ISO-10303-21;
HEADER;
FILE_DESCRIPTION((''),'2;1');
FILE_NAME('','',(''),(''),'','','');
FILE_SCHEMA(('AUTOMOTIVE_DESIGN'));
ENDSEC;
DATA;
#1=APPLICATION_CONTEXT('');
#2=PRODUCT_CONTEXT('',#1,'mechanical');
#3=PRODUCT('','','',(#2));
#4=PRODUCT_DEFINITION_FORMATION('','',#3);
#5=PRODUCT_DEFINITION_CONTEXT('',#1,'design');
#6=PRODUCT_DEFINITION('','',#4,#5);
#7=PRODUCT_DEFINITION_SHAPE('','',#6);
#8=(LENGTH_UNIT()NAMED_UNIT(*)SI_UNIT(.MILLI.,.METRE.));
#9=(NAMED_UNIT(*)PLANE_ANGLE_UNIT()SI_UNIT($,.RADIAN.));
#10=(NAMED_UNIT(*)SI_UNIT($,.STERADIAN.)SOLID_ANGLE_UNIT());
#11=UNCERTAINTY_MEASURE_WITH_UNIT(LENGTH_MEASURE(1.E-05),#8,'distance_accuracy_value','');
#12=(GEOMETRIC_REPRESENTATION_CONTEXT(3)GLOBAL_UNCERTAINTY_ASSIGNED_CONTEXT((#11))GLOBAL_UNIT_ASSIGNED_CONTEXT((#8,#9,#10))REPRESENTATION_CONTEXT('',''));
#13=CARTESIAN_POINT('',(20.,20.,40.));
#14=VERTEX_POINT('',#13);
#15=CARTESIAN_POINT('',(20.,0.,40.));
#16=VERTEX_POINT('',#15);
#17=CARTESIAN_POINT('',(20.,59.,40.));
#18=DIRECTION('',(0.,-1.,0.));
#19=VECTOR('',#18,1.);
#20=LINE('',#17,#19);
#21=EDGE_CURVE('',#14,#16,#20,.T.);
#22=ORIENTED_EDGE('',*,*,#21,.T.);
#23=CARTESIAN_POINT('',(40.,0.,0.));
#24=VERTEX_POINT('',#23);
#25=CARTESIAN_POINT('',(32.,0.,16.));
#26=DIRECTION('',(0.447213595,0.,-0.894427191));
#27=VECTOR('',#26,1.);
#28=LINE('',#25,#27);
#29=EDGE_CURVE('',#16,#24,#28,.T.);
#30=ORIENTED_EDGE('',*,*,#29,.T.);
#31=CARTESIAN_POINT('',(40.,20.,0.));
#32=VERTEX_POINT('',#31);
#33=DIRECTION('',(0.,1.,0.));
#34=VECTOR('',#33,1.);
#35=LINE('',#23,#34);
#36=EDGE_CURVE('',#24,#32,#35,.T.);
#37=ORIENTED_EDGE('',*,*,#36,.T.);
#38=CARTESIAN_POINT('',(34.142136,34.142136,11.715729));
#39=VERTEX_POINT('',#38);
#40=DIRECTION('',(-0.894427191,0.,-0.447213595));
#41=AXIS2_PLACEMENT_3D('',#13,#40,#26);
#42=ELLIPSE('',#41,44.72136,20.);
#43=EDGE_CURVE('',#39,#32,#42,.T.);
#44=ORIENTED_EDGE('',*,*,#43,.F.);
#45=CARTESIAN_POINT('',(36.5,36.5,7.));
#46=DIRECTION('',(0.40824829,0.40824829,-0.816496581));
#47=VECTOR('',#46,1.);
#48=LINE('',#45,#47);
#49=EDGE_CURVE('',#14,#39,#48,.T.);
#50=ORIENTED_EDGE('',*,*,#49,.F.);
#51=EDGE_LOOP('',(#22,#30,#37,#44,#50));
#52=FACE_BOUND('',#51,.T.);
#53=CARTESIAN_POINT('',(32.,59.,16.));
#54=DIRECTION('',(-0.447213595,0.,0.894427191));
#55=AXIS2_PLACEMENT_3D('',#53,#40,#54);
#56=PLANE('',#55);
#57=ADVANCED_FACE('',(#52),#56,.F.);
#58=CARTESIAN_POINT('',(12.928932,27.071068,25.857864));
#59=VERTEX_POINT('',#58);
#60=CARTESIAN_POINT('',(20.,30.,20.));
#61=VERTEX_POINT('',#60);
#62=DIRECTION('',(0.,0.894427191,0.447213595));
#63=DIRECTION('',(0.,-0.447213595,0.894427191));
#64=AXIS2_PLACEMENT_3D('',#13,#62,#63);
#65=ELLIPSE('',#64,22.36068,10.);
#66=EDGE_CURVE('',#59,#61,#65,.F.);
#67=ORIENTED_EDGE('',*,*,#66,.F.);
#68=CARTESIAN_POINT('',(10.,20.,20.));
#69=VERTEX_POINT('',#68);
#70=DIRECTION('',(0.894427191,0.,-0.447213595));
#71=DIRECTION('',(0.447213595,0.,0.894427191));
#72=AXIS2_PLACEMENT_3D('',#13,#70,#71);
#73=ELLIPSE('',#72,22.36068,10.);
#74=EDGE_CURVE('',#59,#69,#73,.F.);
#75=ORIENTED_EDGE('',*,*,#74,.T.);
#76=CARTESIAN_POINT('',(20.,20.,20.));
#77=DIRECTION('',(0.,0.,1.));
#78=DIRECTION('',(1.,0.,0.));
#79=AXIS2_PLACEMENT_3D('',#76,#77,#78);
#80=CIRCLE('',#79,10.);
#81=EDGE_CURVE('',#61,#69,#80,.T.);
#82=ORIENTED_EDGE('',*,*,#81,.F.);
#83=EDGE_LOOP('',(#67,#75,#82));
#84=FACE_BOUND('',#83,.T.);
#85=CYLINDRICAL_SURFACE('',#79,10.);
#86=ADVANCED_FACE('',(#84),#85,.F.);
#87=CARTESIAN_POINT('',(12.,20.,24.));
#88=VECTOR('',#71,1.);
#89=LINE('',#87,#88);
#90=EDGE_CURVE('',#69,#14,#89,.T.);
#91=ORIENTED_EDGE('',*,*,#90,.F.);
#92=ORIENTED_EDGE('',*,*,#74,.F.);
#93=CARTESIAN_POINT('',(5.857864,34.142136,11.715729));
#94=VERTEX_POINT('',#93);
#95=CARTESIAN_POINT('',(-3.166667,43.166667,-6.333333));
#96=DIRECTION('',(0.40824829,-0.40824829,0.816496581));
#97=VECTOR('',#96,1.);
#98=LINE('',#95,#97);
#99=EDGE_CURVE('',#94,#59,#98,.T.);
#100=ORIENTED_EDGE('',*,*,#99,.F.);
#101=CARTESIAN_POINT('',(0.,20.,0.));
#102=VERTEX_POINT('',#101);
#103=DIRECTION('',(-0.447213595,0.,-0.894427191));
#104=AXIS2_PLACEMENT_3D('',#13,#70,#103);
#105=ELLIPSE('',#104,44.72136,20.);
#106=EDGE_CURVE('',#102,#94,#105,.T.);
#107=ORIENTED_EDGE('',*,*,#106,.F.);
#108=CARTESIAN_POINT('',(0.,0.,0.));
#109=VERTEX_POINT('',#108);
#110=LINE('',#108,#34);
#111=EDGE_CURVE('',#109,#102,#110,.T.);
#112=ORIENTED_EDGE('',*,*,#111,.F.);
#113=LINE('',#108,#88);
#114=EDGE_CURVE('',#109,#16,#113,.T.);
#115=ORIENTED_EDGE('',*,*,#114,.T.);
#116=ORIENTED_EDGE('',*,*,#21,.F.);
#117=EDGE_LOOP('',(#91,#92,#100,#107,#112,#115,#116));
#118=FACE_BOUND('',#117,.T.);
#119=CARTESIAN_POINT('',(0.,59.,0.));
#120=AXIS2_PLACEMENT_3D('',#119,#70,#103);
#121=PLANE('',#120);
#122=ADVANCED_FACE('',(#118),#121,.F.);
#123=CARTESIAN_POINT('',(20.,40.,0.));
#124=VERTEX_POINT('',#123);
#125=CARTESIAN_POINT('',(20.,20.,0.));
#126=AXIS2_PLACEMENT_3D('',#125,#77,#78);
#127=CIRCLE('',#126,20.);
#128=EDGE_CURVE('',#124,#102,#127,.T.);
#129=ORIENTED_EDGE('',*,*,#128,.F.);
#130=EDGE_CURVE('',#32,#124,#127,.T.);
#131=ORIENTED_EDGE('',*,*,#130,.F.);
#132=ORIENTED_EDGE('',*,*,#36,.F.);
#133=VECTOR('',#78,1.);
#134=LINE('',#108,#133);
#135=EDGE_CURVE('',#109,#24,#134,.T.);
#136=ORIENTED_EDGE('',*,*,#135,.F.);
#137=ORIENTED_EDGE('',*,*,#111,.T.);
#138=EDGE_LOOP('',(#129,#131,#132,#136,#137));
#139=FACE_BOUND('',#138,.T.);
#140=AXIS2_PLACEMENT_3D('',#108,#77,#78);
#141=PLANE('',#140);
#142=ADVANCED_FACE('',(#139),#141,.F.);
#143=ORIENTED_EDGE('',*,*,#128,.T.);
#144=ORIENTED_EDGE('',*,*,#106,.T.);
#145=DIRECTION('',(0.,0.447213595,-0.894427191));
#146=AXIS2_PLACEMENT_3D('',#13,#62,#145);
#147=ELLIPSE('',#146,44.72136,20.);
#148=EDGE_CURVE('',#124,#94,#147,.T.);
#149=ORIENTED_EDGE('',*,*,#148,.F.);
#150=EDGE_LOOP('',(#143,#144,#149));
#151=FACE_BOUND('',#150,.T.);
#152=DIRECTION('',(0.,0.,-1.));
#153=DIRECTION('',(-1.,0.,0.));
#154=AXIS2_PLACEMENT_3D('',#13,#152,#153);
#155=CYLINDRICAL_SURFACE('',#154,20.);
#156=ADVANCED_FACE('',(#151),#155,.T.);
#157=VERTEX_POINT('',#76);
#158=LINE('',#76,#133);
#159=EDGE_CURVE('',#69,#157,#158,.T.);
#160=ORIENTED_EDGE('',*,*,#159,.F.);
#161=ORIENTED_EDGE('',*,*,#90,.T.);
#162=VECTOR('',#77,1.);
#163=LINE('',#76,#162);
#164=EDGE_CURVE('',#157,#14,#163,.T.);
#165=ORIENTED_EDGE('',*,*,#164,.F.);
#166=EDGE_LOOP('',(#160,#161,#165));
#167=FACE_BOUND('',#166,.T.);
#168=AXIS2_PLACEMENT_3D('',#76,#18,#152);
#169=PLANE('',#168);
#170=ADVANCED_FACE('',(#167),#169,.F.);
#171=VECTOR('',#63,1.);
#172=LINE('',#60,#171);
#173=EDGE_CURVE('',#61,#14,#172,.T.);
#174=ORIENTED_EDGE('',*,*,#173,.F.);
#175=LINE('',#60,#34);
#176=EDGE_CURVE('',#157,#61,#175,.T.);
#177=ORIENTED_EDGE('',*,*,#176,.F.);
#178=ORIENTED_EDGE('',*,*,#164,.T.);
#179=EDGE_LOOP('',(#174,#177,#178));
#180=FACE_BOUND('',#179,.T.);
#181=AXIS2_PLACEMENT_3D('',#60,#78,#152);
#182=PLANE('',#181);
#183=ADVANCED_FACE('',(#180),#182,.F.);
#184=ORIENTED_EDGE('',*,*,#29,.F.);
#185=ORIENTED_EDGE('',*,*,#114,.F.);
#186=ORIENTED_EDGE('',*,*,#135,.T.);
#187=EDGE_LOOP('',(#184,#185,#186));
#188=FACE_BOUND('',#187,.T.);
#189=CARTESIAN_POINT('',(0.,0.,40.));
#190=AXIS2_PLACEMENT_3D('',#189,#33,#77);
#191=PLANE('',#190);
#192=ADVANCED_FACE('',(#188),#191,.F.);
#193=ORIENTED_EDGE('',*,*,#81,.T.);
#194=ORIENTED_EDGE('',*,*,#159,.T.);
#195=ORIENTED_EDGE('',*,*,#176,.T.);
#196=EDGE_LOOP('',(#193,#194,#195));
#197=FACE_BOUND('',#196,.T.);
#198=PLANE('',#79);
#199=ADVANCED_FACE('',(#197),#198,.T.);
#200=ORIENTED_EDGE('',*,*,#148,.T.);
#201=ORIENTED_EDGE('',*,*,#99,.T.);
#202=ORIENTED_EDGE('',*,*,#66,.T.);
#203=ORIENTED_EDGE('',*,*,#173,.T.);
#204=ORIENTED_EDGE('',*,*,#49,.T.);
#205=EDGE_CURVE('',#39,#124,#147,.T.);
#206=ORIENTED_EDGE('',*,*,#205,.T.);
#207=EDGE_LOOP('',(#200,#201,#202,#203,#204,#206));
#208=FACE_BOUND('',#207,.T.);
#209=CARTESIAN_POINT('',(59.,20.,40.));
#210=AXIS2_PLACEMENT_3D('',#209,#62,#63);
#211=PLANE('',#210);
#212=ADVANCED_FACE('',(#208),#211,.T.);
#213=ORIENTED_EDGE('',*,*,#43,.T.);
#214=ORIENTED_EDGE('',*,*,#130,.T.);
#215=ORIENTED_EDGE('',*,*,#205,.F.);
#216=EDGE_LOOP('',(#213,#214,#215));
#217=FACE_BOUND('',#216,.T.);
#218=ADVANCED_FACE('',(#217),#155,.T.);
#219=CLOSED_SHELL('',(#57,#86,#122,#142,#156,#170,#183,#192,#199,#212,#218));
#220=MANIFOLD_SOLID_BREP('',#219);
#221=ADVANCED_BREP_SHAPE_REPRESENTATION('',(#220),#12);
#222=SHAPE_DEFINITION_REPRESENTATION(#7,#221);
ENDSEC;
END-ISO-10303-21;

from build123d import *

# Parameters (mm, degrees)
SKETCH1_W           = 40
SKETCH1_H           = 20
BOSS_EXTRUDE1_DEPTH = 40
CUT_EXTRUDE18_DEPTH = 20
CUT_EXTRUDE20_DEPTH = 59
CUT_EXTRUDE21_DEPTH = 59


with BuildPart() as part:
    # Sketch1 → Boss-Extrude1 (new body)
    with BuildSketch(Plane.XY):
        with BuildLine():
            Line((0, 20), (40, 20))
            ThreePointArc((40, 20), (20, 40), (0, 20))
        make_face()
        with Locations((20, 10)):
            Rectangle(SKETCH1_W, SKETCH1_H)
    extrude(amount=BOSS_EXTRUDE1_DEPTH)

    # Sketch4 → Cut-Extrude18 (cut)
    with BuildSketch(Plane.XY.offset(40)):
        with BuildLine():
            Line((20, 30), (20, 20))
            Line((20, 20), (10, 20))
            ThreePointArc((10, 20), (12.928932188, 27.071067812), (20, 30))
        make_face()
    extrude(amount=-CUT_EXTRUDE18_DEPTH, mode=Mode.SUBTRACT)

    # Sketch11 → Cut-Extrude20 (cut)
    with BuildSketch(Plane(origin=(0, 0, 0), x_dir=(1, 0, 0), z_dir=(0, 1, 0))):
        Polygon((20, -40), (0, 0), (0, -40), align=None)
        Polygon((40, 0), (20, -40), (40, -40), align=None)
    extrude(amount=CUT_EXTRUDE20_DEPTH, mode=Mode.SUBTRACT)

    # Sketch12 → Cut-Extrude21 (cut)
    with BuildSketch(Plane(origin=(0, 0, 0), x_dir=(0, 0, -1), z_dir=(1, 0, 0))):
        Polygon((-40, 20), (0, 40), (-40, 40), align=None)
    extrude(amount=CUT_EXTRUDE21_DEPTH, mode=Mode.SUBTRACT)


solid = part.part
